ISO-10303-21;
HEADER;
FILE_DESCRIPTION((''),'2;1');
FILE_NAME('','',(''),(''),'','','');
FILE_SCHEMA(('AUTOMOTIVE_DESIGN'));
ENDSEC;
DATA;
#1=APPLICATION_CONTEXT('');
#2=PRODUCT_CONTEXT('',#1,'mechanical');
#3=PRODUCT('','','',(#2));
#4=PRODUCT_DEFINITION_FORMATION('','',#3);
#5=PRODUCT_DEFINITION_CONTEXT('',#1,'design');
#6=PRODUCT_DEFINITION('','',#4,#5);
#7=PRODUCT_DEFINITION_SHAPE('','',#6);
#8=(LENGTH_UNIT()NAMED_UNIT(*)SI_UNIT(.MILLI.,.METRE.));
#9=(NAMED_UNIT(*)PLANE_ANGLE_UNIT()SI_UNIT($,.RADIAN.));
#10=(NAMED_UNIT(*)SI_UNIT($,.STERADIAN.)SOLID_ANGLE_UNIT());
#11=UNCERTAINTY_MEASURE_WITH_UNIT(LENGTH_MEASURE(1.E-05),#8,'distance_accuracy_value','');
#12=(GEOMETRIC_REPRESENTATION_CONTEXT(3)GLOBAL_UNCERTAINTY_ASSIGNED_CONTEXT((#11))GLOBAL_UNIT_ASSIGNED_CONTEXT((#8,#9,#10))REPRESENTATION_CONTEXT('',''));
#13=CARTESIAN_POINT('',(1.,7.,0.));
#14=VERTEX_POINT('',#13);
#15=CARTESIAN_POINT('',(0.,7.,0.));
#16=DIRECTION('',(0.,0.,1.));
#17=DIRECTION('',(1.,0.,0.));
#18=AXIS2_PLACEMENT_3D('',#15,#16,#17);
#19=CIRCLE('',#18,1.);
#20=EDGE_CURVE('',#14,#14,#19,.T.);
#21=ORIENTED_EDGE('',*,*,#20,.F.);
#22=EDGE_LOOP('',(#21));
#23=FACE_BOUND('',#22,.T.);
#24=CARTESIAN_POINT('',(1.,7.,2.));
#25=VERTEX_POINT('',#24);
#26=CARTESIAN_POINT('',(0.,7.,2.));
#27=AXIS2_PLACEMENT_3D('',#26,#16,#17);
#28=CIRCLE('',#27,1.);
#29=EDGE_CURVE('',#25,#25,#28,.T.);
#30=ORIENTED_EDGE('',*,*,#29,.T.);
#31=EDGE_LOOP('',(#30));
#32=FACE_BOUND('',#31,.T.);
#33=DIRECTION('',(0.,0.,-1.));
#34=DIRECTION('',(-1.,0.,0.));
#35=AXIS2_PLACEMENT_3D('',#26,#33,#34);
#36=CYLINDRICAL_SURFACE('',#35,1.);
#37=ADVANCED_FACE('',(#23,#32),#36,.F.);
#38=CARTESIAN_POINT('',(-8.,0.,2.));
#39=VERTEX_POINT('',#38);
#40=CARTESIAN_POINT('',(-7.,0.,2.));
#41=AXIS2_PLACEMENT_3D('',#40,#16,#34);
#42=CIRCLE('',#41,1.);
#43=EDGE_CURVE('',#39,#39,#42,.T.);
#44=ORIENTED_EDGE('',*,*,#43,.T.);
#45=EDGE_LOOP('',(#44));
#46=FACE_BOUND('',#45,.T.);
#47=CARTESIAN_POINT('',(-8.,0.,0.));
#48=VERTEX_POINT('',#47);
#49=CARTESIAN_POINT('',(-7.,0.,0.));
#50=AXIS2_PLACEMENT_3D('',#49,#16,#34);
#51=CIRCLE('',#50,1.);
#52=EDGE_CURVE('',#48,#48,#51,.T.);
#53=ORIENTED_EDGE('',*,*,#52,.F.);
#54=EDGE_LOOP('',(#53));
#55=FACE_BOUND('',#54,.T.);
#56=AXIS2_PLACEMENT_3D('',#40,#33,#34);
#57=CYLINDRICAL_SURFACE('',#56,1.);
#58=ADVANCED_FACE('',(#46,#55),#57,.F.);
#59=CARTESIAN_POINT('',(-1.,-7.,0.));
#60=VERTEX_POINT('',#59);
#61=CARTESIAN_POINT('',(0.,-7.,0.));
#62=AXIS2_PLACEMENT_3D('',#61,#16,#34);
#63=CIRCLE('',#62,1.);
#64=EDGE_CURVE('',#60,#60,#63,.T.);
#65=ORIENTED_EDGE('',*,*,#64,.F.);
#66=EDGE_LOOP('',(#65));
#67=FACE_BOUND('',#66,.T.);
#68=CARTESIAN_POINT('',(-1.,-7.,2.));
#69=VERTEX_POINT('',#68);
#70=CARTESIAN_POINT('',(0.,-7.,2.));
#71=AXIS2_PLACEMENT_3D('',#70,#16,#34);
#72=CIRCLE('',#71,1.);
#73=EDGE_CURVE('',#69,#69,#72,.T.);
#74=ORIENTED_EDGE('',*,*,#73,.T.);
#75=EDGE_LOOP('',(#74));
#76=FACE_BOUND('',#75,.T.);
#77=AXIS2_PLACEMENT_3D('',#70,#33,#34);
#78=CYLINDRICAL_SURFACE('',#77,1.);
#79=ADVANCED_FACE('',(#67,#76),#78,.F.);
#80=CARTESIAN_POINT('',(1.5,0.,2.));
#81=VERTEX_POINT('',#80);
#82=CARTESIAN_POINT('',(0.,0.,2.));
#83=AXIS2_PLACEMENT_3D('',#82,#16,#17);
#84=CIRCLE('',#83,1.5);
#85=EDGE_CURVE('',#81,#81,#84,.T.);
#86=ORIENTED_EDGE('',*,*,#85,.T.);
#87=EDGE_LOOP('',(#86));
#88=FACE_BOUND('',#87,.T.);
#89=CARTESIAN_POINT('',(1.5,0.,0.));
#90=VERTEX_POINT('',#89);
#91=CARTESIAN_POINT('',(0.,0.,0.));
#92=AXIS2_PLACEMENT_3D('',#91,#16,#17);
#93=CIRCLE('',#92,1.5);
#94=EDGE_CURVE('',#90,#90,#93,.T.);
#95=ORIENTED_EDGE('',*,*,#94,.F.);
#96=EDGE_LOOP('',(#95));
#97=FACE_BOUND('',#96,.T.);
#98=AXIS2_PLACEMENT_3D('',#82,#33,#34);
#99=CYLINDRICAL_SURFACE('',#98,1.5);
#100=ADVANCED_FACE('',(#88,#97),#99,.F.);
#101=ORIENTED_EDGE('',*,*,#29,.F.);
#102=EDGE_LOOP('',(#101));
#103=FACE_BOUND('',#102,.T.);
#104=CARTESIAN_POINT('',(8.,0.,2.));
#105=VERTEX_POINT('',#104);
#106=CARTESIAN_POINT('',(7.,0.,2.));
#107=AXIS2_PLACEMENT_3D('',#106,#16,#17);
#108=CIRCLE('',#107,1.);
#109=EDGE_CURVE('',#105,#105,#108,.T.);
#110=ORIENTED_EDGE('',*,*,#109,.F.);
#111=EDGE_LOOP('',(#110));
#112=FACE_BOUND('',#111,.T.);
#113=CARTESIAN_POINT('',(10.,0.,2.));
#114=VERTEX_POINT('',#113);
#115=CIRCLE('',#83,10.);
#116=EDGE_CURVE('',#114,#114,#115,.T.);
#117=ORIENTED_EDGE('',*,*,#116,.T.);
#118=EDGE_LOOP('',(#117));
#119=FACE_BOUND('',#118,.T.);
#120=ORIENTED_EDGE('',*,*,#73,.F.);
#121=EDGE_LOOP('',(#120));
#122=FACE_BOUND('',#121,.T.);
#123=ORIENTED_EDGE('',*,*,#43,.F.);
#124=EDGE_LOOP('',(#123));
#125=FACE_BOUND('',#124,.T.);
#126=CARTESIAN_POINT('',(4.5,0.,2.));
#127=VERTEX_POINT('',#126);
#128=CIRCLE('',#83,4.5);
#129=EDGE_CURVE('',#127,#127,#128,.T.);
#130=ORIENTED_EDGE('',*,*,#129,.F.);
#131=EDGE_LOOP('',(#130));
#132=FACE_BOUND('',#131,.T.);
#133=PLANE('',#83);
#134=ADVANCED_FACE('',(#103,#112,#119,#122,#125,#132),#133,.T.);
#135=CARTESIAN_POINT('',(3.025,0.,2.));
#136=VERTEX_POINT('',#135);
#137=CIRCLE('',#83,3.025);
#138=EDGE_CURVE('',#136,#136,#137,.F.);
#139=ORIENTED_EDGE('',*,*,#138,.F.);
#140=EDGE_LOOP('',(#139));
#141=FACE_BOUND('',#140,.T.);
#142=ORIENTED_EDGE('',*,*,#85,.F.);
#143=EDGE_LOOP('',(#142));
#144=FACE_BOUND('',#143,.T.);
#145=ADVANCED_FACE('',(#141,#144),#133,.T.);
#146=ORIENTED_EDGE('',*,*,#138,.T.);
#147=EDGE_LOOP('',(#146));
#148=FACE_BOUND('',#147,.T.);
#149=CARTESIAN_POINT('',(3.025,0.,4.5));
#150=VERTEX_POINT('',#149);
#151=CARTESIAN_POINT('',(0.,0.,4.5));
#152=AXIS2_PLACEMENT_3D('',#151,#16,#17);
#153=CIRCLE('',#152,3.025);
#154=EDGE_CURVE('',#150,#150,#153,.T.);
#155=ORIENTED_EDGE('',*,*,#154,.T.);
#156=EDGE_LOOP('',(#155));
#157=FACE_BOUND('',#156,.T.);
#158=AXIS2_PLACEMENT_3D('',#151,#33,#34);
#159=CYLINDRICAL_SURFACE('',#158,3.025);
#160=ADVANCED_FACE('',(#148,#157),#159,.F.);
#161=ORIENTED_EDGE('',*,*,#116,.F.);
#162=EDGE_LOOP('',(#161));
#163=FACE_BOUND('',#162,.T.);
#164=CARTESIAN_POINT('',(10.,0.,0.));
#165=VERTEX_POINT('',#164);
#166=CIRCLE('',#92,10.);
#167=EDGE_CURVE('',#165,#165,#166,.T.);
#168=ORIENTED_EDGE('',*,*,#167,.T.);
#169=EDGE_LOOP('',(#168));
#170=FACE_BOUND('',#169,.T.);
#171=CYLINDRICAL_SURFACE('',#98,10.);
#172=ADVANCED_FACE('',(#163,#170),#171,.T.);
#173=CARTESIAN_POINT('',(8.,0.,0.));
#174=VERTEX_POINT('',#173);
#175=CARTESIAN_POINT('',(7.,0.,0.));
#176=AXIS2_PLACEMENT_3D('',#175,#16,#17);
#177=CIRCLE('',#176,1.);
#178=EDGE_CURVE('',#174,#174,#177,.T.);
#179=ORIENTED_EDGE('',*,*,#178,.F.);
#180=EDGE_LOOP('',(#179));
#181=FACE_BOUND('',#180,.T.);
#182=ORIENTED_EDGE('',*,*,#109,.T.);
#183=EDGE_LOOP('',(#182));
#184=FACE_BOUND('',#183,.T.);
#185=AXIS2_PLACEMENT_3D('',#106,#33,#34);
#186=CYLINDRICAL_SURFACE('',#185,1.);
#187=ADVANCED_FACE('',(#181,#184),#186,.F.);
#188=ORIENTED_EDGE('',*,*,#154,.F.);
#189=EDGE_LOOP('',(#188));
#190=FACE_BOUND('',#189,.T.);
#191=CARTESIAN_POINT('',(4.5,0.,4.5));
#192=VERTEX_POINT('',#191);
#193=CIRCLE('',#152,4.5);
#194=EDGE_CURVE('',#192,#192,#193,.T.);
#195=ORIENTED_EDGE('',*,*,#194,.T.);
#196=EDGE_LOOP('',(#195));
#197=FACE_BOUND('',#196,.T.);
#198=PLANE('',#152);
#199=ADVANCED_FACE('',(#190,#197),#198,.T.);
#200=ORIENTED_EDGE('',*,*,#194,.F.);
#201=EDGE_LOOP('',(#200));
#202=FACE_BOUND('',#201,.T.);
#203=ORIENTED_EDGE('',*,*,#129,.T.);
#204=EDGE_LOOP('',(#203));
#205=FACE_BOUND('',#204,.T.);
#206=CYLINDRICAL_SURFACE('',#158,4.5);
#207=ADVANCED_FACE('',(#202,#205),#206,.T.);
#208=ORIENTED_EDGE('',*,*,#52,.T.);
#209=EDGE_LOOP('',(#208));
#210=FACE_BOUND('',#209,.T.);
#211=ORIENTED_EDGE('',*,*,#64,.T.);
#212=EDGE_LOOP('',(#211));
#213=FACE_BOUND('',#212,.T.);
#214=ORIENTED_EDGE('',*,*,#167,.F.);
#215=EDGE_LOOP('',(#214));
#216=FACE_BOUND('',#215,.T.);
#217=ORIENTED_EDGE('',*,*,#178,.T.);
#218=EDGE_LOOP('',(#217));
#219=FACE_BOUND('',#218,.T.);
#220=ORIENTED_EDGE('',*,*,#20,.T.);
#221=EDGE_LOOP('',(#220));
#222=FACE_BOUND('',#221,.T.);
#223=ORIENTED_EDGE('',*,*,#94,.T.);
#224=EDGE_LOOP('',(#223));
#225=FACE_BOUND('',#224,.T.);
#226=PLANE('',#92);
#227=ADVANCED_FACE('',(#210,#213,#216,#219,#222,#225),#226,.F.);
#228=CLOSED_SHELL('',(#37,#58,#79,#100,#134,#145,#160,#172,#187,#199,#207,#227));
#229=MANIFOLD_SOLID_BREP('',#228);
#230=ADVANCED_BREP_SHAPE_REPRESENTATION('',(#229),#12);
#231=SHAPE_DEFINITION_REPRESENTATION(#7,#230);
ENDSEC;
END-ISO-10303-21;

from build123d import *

# Parameters (mm, degrees)
SKETCH1_R           = 10
SKETCH1_R_2         = 1
SKETCH1_R_3         = 1.5
BOSS_EXTRUDE1_DEPTH = 2
SKETCH2_R           = 4.5
SKETCH2_R_2         = 3.025
BOSS_EXTRUDE2_DEPTH = 2.5


with BuildPart() as part:
    # Sketch1 → Boss-Extrude1 (new body)
    with BuildSketch(Plane.XY):
        Circle(SKETCH1_R)
        with Locations((7, 0)):
            Circle(SKETCH1_R_2, mode=Mode.SUBTRACT)
        with Locations((0, 7)):
            Circle(SKETCH1_R_2, mode=Mode.SUBTRACT)
        Circle(SKETCH1_R_3, mode=Mode.SUBTRACT)
        with Locations((0, -7)):
            Circle(SKETCH1_R_2, mode=Mode.SUBTRACT)
        with Locations((-7, 0)):
            Circle(SKETCH1_R_2, mode=Mode.SUBTRACT)
    extrude(amount=BOSS_EXTRUDE1_DEPTH)

    # Sketch2 → Boss-Extrude2 (add)
    with BuildSketch(Plane.XY.offset(2)):
        Circle(SKETCH2_R)
        Circle(SKETCH2_R_2, mode=Mode.SUBTRACT)
    extrude(amount=BOSS_EXTRUDE2_DEPTH)


solid = part.part
